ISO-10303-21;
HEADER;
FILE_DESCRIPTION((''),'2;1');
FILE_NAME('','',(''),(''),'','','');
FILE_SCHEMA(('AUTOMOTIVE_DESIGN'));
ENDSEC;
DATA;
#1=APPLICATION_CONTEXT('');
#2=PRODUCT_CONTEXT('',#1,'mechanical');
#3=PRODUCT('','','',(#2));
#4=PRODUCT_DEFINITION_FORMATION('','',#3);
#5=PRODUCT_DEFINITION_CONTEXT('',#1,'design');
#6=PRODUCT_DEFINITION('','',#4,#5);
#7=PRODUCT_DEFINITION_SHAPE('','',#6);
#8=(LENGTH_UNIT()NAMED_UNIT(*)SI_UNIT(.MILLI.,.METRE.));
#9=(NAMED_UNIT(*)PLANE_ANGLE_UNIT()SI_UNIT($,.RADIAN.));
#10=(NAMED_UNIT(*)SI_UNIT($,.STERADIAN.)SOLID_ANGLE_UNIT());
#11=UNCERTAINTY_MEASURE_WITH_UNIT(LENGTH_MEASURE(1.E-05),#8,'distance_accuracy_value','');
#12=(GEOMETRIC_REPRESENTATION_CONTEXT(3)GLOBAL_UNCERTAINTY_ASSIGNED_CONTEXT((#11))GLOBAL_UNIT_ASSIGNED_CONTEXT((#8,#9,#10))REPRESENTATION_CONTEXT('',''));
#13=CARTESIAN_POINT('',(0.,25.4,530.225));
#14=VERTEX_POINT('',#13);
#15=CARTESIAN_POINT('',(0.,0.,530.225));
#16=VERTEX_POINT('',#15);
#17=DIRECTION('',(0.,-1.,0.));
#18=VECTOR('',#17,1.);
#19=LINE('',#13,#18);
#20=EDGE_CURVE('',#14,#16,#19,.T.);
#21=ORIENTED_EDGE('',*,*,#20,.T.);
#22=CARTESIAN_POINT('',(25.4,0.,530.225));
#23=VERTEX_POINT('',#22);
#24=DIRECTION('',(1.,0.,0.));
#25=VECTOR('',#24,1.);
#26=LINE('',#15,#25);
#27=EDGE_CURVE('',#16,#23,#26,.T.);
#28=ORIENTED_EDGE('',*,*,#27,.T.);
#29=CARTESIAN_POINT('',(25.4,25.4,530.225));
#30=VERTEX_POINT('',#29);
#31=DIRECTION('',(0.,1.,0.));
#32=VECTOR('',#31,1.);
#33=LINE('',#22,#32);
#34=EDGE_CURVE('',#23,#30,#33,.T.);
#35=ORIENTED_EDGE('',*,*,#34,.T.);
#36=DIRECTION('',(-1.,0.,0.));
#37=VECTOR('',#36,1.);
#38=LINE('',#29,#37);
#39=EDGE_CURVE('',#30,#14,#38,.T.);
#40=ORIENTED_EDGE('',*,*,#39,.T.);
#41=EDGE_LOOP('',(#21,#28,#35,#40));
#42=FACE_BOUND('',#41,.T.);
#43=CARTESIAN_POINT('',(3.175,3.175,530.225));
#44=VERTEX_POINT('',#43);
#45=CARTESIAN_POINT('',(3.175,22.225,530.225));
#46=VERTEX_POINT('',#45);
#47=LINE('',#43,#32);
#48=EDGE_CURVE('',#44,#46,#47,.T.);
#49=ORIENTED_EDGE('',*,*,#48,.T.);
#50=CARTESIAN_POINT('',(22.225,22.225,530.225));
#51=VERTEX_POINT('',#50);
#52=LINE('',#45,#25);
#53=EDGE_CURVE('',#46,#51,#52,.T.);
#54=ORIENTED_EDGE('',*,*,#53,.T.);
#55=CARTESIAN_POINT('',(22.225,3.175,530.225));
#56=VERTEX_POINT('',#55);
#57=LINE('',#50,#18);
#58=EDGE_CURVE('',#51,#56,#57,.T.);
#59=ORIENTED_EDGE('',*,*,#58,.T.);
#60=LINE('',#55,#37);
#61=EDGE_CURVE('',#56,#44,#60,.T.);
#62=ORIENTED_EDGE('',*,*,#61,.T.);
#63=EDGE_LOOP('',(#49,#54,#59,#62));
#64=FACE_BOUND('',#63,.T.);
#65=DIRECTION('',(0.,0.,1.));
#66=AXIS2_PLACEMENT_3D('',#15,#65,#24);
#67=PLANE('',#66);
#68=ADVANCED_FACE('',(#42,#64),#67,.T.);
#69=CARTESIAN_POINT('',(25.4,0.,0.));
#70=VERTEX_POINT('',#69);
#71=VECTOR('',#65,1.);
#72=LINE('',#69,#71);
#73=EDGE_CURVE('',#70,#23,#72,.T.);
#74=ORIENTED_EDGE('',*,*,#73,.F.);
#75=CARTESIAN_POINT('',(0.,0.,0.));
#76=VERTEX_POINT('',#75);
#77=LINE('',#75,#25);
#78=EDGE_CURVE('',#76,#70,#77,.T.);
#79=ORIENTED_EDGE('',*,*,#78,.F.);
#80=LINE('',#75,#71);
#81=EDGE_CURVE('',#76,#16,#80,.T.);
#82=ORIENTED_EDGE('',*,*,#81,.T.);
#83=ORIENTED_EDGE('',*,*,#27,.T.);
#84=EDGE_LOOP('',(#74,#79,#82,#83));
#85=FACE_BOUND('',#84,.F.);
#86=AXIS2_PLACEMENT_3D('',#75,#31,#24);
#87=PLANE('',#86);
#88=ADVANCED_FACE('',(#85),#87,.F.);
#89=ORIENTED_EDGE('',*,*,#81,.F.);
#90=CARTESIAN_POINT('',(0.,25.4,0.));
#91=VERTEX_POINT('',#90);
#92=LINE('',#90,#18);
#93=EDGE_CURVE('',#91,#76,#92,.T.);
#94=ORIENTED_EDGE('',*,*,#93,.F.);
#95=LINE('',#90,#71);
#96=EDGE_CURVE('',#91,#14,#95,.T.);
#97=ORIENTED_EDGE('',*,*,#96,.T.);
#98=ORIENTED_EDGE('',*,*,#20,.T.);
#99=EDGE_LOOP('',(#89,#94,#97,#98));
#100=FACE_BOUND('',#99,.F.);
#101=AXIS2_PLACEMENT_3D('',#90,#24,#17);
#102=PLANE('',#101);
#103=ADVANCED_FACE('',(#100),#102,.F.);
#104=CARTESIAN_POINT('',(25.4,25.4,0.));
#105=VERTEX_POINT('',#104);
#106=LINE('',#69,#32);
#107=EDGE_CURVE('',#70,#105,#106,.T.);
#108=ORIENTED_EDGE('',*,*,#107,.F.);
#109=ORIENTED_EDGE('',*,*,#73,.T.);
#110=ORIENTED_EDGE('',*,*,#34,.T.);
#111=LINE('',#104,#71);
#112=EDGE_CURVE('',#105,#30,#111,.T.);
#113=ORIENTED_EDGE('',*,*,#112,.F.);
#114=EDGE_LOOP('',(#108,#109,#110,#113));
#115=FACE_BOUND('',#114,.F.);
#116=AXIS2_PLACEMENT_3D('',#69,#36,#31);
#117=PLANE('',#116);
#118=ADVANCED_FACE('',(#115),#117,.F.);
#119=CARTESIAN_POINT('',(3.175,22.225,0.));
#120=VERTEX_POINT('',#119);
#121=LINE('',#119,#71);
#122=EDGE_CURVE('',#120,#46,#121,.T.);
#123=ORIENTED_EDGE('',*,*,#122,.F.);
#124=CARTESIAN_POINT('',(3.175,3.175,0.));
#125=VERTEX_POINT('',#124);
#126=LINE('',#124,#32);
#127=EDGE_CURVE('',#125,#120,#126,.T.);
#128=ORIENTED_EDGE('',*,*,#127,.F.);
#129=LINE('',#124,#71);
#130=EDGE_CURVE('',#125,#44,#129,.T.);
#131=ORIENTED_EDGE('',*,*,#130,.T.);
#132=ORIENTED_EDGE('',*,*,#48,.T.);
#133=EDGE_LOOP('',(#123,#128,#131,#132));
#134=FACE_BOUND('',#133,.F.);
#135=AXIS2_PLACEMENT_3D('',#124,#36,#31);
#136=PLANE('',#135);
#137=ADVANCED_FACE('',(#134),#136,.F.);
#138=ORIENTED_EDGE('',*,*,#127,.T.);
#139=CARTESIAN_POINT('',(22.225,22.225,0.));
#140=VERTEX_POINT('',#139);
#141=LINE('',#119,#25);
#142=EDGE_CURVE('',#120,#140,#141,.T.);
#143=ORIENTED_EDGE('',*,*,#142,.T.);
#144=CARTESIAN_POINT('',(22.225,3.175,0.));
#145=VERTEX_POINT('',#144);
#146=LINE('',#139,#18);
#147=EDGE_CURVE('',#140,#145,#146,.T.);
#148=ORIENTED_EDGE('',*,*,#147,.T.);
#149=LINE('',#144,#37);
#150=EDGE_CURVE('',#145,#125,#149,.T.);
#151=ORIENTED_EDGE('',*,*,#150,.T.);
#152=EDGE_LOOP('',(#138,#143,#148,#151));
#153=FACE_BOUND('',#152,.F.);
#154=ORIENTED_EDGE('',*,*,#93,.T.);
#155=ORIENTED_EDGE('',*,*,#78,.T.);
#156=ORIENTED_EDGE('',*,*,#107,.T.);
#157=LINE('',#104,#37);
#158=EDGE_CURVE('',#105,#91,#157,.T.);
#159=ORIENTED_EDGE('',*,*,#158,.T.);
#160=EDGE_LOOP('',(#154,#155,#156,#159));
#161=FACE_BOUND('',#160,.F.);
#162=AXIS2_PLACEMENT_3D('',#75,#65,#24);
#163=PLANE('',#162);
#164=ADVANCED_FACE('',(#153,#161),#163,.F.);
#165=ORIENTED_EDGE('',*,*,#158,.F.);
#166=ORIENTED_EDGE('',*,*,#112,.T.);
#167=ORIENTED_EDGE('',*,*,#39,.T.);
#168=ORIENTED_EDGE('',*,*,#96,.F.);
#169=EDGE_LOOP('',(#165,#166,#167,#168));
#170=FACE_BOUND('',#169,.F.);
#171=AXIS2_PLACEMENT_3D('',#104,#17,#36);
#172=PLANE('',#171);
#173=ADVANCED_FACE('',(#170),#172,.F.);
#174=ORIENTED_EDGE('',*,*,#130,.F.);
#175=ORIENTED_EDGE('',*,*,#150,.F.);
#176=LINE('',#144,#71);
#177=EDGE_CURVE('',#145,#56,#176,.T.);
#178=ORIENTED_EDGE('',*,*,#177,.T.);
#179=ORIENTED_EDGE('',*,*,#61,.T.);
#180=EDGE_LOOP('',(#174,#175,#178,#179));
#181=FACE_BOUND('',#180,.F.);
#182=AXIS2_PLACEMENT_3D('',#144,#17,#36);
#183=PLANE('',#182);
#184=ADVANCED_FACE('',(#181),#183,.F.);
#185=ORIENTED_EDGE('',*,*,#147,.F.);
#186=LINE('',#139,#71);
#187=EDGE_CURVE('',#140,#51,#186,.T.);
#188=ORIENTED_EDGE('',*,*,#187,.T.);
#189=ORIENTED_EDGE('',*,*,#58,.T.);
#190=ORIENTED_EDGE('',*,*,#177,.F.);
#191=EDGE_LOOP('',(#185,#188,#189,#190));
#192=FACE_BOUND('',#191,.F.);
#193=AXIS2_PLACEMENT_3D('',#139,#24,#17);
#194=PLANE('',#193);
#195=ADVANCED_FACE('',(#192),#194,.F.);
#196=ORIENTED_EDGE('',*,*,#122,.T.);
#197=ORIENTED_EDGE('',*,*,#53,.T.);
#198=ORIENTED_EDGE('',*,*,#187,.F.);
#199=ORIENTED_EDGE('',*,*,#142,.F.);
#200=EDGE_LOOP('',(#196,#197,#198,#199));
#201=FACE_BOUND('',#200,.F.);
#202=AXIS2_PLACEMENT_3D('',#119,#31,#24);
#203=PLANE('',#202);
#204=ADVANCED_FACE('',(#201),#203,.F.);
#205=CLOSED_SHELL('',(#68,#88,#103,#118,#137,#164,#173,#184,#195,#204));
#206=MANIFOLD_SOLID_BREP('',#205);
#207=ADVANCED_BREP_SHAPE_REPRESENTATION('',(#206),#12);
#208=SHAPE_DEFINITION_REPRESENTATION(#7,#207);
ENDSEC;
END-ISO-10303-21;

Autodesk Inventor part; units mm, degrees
ref_plane "YZ Plane" through (0, 0, 0) normal (1, 0, 0) x (0, 1, 0)
ref_plane "XZ Plane" through (0, 0, 0) normal (0, 1, 0) x (-1, 0, 0)
ref_plane "XY Plane" through (0, 0, 0) normal (0, 0, 1) x (1, 0, 0)
sketch "Sketch1" plane through (0, 0, 0) normal (0, 0, 1) x (1, 0, 0)
  line L0 (0, 0) -> (25.4, 0)
  line L1 (25.4, 0) -> (25.4, 25.4)
  line L2 (25.4, 25.4) -> (0, 25.4)
  line L3 (0, 25.4) -> (0, 0)
  line L4 (3.175, 22.225) -> (22.225, 22.225)
  line L5 (22.225, 22.225) -> (22.225, 3.175)
  line L6 (22.225, 3.175) -> (3.175, 3.175)
  line L7 (3.175, 3.175) -> (3.175, 22.225)
  dimension "d0" = 25.4
  dimension "d1" = 25.4
  dimension "d2" = 3.175
extrude "Extrusion1" add sketch "Sketch1" along normal blind 530.225
properties part number "Arm connect 6 bar"
